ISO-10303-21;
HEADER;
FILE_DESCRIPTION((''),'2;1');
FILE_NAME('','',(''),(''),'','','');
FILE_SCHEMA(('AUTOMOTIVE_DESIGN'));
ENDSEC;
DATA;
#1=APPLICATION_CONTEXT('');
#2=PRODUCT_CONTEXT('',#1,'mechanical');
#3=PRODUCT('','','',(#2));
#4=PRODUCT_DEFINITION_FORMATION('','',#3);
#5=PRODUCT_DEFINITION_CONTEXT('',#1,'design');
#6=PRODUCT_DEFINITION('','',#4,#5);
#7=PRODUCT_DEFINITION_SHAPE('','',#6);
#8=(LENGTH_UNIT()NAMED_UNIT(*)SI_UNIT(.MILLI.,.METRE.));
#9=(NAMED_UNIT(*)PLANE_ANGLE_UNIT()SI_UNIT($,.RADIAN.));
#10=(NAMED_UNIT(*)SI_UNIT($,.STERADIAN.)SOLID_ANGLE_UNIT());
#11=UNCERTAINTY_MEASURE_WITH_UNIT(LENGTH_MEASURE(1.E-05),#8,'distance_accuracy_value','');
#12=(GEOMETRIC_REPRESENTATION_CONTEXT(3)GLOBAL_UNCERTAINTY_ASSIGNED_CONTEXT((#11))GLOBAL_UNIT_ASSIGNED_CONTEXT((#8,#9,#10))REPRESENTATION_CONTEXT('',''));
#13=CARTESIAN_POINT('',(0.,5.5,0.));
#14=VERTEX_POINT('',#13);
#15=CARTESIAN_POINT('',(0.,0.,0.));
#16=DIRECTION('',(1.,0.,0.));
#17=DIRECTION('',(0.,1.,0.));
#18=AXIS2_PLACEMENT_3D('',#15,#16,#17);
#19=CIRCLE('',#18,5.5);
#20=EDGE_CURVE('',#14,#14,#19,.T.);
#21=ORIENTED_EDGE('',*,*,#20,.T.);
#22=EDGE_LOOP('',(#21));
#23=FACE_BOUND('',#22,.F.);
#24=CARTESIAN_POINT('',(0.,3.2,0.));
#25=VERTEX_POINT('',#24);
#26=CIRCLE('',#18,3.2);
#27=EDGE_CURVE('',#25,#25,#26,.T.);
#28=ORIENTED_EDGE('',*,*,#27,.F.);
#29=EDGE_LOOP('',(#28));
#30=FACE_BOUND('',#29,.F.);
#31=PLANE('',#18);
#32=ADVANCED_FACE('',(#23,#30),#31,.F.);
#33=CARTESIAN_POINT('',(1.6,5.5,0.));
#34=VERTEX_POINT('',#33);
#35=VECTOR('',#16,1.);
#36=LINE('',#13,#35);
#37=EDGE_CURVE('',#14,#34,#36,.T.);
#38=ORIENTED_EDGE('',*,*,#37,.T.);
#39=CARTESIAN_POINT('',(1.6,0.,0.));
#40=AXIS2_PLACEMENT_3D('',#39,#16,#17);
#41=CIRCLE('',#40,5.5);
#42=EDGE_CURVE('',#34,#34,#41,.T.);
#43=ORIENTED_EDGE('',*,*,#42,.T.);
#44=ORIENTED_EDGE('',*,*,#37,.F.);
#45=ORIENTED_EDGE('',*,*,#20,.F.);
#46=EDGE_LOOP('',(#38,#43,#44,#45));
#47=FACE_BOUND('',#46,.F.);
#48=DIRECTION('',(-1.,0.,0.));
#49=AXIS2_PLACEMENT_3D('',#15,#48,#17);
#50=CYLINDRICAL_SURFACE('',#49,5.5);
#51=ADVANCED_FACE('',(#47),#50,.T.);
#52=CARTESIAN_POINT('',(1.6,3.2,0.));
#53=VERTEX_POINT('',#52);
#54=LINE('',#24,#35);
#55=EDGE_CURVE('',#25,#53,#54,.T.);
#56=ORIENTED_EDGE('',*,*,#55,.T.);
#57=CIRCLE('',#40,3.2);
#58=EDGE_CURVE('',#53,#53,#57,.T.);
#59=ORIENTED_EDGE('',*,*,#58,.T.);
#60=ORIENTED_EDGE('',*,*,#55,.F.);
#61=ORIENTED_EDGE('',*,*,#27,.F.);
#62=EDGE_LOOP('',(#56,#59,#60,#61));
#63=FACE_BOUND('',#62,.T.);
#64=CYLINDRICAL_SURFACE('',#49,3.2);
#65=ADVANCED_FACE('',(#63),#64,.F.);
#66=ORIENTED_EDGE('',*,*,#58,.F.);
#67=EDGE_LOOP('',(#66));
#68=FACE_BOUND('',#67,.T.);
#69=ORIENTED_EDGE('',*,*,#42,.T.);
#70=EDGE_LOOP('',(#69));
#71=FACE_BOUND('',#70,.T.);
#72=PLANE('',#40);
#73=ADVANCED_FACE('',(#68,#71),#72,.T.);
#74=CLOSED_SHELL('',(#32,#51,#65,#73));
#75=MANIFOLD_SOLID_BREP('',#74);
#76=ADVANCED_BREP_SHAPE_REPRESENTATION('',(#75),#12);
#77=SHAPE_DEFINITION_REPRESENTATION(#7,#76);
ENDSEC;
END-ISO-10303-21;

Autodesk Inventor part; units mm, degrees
ref_plane "YZ Plane" through (0, 0, 0) normal (1, 0, 0) x (0, 1, 0)
ref_plane "XZ Plane" through (0, 0, 0) normal (0, 1, 0) x (-1, 0, 0)
sketch "Szkic" plane through (0, 0, 0) normal (1, 0, 0) x (0, 1, 0)
  circle A0 centre (0, 0) radius 5.5
  circle A1 centre (0, 0) radius 3.2
  dimension "d0" = 6.4
  dimension "d1" = 11
extrude "Bryła" add sketch "Szkic" along normal blind 1.6
ref_plane "Work Plane1" through (0, 0, 0) normal (0, 0, 1) x (1, 0, 0)
equation "\"d0\" = SD1"
equation "\"d1\" = SD2"
equation "\"d2\" = SD"
equation "\"SD1\" = 6.4"
equation "\"SD2\" = 11"
equation "\"SD\" = 1.6"
equation "\"NND\" = 6"
properties part number "DIN 433 - 6,4" material "Stal, miękka"
